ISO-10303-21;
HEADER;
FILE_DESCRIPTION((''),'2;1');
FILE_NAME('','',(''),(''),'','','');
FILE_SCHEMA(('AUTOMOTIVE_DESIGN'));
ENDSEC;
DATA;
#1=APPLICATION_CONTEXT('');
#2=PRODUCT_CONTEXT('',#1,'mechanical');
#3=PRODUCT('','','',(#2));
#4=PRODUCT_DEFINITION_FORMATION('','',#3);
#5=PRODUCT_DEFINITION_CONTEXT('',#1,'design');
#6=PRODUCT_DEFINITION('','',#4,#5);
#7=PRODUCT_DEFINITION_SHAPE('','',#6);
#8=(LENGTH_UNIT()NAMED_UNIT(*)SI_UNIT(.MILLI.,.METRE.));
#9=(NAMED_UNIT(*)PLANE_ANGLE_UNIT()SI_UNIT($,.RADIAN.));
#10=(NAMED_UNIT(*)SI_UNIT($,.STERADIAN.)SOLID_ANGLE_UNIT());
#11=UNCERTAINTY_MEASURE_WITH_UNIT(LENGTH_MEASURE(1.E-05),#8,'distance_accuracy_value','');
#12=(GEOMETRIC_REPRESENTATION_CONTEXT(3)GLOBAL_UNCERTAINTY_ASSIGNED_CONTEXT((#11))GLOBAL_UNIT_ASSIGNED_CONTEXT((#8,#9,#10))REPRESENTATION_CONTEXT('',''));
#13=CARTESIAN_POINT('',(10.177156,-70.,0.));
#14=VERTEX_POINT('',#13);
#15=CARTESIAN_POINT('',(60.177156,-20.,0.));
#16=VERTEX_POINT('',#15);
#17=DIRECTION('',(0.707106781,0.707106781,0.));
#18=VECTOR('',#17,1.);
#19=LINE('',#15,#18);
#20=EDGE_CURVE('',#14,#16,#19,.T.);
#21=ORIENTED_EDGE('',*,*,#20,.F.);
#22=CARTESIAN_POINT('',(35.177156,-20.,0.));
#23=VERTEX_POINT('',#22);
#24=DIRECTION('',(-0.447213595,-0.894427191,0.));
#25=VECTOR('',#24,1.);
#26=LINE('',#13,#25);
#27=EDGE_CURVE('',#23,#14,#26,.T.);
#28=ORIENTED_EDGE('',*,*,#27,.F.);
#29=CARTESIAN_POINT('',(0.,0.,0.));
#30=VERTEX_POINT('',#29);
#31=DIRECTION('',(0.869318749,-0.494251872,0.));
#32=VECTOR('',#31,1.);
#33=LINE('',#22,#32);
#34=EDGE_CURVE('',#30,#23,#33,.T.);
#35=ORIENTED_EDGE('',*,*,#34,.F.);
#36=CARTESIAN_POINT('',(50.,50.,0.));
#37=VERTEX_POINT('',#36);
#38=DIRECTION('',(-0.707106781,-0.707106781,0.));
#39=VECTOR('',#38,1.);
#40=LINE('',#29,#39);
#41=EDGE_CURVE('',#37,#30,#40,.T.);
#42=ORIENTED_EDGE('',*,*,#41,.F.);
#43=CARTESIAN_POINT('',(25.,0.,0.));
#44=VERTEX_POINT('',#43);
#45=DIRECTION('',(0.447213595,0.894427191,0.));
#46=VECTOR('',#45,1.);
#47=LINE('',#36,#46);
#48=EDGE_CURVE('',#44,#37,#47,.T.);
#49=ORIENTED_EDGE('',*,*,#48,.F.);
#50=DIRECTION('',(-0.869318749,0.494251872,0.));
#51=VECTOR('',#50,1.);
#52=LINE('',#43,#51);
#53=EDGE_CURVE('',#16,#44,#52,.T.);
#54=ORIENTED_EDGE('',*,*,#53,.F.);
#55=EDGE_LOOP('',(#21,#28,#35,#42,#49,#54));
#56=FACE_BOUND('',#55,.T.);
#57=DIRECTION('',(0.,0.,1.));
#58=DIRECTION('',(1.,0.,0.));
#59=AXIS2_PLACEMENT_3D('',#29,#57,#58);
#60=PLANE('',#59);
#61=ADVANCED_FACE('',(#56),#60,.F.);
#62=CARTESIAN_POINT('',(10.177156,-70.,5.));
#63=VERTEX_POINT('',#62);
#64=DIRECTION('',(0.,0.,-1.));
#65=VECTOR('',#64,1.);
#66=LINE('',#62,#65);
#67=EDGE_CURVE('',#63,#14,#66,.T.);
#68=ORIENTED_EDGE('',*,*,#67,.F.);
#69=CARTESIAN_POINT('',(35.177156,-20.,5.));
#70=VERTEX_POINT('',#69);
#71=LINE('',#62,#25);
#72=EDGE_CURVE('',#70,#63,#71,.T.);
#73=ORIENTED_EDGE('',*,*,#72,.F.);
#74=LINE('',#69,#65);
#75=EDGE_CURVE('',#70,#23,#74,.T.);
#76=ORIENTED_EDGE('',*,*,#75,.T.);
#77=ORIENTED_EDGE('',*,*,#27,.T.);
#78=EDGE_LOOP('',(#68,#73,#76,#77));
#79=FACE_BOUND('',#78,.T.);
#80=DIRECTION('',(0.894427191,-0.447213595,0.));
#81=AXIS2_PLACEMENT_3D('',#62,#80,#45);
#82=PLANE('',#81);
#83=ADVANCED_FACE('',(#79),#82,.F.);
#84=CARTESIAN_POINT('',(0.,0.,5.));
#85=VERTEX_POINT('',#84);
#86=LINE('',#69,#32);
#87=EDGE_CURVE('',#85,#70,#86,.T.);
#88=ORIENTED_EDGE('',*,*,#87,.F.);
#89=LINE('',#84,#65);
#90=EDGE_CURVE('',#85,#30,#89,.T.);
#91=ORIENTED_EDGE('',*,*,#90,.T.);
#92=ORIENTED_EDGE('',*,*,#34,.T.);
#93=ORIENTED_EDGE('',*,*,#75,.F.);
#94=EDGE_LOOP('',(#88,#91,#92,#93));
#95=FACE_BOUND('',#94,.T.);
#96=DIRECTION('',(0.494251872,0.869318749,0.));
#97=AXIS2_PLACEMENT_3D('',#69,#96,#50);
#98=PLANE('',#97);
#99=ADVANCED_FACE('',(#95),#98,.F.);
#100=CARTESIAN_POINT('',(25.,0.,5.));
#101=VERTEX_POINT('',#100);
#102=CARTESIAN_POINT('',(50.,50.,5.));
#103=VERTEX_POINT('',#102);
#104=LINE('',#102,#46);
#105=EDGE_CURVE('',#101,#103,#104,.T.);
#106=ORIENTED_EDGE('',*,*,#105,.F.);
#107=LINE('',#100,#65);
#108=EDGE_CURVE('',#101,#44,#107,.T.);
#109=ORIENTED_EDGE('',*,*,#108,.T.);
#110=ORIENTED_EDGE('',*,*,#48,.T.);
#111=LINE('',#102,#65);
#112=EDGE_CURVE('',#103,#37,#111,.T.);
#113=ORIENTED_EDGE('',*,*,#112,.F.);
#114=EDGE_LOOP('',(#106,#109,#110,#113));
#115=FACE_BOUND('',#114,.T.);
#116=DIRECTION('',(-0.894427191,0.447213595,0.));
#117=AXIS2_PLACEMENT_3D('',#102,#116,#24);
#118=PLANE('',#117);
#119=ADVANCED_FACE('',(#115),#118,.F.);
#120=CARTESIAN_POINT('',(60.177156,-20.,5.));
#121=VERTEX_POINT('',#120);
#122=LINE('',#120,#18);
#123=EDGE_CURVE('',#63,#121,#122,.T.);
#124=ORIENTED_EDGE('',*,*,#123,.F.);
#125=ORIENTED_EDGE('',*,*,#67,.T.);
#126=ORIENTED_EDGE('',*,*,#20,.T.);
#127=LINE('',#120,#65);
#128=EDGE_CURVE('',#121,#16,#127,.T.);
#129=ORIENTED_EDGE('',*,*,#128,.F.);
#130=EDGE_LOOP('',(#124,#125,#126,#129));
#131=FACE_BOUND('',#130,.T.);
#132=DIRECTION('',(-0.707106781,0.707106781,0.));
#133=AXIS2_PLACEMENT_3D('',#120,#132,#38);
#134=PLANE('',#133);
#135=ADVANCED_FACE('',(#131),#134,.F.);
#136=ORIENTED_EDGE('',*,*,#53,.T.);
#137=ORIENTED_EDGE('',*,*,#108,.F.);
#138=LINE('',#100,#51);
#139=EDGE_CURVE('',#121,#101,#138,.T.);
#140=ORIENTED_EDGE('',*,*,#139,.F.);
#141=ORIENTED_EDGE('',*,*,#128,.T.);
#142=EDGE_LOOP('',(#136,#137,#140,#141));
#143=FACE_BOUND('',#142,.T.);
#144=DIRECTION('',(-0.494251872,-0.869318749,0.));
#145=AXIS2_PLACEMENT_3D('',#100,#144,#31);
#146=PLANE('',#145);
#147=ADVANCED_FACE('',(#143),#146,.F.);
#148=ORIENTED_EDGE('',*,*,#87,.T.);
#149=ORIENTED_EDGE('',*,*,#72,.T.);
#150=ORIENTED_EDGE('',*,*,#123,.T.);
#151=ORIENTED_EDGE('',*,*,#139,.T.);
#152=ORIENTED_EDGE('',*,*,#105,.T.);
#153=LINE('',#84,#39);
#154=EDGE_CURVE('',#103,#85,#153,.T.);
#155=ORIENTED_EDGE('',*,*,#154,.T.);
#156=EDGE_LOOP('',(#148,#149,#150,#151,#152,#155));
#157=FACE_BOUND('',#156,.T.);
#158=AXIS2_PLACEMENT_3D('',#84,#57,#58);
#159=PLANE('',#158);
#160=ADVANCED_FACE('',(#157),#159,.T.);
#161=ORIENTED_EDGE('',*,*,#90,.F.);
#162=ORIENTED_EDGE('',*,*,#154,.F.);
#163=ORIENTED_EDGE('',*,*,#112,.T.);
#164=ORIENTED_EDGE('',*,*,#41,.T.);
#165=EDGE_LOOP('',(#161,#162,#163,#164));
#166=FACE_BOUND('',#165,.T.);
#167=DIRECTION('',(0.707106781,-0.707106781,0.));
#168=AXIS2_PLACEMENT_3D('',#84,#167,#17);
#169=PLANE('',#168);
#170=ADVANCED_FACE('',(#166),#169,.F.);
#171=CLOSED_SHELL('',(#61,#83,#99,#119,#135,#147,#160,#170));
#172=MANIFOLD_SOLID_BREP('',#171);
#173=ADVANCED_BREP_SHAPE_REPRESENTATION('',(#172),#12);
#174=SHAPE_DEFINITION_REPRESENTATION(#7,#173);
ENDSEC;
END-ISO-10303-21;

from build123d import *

# Parameters (mm, degrees)
EXTRUDE_1_DEPTH = 5


with BuildPart() as part:
    # 草图1 → 凸台-拉伸1 (new body)
    with BuildSketch(Plane.XY):
        Polygon((0, 0), (50, 50), (25, 0), (60.177155529, -20), (10.177155529, -70), (35.177155529, -20), align=None)
    extrude(amount=EXTRUDE_1_DEPTH)


solid = part.part
